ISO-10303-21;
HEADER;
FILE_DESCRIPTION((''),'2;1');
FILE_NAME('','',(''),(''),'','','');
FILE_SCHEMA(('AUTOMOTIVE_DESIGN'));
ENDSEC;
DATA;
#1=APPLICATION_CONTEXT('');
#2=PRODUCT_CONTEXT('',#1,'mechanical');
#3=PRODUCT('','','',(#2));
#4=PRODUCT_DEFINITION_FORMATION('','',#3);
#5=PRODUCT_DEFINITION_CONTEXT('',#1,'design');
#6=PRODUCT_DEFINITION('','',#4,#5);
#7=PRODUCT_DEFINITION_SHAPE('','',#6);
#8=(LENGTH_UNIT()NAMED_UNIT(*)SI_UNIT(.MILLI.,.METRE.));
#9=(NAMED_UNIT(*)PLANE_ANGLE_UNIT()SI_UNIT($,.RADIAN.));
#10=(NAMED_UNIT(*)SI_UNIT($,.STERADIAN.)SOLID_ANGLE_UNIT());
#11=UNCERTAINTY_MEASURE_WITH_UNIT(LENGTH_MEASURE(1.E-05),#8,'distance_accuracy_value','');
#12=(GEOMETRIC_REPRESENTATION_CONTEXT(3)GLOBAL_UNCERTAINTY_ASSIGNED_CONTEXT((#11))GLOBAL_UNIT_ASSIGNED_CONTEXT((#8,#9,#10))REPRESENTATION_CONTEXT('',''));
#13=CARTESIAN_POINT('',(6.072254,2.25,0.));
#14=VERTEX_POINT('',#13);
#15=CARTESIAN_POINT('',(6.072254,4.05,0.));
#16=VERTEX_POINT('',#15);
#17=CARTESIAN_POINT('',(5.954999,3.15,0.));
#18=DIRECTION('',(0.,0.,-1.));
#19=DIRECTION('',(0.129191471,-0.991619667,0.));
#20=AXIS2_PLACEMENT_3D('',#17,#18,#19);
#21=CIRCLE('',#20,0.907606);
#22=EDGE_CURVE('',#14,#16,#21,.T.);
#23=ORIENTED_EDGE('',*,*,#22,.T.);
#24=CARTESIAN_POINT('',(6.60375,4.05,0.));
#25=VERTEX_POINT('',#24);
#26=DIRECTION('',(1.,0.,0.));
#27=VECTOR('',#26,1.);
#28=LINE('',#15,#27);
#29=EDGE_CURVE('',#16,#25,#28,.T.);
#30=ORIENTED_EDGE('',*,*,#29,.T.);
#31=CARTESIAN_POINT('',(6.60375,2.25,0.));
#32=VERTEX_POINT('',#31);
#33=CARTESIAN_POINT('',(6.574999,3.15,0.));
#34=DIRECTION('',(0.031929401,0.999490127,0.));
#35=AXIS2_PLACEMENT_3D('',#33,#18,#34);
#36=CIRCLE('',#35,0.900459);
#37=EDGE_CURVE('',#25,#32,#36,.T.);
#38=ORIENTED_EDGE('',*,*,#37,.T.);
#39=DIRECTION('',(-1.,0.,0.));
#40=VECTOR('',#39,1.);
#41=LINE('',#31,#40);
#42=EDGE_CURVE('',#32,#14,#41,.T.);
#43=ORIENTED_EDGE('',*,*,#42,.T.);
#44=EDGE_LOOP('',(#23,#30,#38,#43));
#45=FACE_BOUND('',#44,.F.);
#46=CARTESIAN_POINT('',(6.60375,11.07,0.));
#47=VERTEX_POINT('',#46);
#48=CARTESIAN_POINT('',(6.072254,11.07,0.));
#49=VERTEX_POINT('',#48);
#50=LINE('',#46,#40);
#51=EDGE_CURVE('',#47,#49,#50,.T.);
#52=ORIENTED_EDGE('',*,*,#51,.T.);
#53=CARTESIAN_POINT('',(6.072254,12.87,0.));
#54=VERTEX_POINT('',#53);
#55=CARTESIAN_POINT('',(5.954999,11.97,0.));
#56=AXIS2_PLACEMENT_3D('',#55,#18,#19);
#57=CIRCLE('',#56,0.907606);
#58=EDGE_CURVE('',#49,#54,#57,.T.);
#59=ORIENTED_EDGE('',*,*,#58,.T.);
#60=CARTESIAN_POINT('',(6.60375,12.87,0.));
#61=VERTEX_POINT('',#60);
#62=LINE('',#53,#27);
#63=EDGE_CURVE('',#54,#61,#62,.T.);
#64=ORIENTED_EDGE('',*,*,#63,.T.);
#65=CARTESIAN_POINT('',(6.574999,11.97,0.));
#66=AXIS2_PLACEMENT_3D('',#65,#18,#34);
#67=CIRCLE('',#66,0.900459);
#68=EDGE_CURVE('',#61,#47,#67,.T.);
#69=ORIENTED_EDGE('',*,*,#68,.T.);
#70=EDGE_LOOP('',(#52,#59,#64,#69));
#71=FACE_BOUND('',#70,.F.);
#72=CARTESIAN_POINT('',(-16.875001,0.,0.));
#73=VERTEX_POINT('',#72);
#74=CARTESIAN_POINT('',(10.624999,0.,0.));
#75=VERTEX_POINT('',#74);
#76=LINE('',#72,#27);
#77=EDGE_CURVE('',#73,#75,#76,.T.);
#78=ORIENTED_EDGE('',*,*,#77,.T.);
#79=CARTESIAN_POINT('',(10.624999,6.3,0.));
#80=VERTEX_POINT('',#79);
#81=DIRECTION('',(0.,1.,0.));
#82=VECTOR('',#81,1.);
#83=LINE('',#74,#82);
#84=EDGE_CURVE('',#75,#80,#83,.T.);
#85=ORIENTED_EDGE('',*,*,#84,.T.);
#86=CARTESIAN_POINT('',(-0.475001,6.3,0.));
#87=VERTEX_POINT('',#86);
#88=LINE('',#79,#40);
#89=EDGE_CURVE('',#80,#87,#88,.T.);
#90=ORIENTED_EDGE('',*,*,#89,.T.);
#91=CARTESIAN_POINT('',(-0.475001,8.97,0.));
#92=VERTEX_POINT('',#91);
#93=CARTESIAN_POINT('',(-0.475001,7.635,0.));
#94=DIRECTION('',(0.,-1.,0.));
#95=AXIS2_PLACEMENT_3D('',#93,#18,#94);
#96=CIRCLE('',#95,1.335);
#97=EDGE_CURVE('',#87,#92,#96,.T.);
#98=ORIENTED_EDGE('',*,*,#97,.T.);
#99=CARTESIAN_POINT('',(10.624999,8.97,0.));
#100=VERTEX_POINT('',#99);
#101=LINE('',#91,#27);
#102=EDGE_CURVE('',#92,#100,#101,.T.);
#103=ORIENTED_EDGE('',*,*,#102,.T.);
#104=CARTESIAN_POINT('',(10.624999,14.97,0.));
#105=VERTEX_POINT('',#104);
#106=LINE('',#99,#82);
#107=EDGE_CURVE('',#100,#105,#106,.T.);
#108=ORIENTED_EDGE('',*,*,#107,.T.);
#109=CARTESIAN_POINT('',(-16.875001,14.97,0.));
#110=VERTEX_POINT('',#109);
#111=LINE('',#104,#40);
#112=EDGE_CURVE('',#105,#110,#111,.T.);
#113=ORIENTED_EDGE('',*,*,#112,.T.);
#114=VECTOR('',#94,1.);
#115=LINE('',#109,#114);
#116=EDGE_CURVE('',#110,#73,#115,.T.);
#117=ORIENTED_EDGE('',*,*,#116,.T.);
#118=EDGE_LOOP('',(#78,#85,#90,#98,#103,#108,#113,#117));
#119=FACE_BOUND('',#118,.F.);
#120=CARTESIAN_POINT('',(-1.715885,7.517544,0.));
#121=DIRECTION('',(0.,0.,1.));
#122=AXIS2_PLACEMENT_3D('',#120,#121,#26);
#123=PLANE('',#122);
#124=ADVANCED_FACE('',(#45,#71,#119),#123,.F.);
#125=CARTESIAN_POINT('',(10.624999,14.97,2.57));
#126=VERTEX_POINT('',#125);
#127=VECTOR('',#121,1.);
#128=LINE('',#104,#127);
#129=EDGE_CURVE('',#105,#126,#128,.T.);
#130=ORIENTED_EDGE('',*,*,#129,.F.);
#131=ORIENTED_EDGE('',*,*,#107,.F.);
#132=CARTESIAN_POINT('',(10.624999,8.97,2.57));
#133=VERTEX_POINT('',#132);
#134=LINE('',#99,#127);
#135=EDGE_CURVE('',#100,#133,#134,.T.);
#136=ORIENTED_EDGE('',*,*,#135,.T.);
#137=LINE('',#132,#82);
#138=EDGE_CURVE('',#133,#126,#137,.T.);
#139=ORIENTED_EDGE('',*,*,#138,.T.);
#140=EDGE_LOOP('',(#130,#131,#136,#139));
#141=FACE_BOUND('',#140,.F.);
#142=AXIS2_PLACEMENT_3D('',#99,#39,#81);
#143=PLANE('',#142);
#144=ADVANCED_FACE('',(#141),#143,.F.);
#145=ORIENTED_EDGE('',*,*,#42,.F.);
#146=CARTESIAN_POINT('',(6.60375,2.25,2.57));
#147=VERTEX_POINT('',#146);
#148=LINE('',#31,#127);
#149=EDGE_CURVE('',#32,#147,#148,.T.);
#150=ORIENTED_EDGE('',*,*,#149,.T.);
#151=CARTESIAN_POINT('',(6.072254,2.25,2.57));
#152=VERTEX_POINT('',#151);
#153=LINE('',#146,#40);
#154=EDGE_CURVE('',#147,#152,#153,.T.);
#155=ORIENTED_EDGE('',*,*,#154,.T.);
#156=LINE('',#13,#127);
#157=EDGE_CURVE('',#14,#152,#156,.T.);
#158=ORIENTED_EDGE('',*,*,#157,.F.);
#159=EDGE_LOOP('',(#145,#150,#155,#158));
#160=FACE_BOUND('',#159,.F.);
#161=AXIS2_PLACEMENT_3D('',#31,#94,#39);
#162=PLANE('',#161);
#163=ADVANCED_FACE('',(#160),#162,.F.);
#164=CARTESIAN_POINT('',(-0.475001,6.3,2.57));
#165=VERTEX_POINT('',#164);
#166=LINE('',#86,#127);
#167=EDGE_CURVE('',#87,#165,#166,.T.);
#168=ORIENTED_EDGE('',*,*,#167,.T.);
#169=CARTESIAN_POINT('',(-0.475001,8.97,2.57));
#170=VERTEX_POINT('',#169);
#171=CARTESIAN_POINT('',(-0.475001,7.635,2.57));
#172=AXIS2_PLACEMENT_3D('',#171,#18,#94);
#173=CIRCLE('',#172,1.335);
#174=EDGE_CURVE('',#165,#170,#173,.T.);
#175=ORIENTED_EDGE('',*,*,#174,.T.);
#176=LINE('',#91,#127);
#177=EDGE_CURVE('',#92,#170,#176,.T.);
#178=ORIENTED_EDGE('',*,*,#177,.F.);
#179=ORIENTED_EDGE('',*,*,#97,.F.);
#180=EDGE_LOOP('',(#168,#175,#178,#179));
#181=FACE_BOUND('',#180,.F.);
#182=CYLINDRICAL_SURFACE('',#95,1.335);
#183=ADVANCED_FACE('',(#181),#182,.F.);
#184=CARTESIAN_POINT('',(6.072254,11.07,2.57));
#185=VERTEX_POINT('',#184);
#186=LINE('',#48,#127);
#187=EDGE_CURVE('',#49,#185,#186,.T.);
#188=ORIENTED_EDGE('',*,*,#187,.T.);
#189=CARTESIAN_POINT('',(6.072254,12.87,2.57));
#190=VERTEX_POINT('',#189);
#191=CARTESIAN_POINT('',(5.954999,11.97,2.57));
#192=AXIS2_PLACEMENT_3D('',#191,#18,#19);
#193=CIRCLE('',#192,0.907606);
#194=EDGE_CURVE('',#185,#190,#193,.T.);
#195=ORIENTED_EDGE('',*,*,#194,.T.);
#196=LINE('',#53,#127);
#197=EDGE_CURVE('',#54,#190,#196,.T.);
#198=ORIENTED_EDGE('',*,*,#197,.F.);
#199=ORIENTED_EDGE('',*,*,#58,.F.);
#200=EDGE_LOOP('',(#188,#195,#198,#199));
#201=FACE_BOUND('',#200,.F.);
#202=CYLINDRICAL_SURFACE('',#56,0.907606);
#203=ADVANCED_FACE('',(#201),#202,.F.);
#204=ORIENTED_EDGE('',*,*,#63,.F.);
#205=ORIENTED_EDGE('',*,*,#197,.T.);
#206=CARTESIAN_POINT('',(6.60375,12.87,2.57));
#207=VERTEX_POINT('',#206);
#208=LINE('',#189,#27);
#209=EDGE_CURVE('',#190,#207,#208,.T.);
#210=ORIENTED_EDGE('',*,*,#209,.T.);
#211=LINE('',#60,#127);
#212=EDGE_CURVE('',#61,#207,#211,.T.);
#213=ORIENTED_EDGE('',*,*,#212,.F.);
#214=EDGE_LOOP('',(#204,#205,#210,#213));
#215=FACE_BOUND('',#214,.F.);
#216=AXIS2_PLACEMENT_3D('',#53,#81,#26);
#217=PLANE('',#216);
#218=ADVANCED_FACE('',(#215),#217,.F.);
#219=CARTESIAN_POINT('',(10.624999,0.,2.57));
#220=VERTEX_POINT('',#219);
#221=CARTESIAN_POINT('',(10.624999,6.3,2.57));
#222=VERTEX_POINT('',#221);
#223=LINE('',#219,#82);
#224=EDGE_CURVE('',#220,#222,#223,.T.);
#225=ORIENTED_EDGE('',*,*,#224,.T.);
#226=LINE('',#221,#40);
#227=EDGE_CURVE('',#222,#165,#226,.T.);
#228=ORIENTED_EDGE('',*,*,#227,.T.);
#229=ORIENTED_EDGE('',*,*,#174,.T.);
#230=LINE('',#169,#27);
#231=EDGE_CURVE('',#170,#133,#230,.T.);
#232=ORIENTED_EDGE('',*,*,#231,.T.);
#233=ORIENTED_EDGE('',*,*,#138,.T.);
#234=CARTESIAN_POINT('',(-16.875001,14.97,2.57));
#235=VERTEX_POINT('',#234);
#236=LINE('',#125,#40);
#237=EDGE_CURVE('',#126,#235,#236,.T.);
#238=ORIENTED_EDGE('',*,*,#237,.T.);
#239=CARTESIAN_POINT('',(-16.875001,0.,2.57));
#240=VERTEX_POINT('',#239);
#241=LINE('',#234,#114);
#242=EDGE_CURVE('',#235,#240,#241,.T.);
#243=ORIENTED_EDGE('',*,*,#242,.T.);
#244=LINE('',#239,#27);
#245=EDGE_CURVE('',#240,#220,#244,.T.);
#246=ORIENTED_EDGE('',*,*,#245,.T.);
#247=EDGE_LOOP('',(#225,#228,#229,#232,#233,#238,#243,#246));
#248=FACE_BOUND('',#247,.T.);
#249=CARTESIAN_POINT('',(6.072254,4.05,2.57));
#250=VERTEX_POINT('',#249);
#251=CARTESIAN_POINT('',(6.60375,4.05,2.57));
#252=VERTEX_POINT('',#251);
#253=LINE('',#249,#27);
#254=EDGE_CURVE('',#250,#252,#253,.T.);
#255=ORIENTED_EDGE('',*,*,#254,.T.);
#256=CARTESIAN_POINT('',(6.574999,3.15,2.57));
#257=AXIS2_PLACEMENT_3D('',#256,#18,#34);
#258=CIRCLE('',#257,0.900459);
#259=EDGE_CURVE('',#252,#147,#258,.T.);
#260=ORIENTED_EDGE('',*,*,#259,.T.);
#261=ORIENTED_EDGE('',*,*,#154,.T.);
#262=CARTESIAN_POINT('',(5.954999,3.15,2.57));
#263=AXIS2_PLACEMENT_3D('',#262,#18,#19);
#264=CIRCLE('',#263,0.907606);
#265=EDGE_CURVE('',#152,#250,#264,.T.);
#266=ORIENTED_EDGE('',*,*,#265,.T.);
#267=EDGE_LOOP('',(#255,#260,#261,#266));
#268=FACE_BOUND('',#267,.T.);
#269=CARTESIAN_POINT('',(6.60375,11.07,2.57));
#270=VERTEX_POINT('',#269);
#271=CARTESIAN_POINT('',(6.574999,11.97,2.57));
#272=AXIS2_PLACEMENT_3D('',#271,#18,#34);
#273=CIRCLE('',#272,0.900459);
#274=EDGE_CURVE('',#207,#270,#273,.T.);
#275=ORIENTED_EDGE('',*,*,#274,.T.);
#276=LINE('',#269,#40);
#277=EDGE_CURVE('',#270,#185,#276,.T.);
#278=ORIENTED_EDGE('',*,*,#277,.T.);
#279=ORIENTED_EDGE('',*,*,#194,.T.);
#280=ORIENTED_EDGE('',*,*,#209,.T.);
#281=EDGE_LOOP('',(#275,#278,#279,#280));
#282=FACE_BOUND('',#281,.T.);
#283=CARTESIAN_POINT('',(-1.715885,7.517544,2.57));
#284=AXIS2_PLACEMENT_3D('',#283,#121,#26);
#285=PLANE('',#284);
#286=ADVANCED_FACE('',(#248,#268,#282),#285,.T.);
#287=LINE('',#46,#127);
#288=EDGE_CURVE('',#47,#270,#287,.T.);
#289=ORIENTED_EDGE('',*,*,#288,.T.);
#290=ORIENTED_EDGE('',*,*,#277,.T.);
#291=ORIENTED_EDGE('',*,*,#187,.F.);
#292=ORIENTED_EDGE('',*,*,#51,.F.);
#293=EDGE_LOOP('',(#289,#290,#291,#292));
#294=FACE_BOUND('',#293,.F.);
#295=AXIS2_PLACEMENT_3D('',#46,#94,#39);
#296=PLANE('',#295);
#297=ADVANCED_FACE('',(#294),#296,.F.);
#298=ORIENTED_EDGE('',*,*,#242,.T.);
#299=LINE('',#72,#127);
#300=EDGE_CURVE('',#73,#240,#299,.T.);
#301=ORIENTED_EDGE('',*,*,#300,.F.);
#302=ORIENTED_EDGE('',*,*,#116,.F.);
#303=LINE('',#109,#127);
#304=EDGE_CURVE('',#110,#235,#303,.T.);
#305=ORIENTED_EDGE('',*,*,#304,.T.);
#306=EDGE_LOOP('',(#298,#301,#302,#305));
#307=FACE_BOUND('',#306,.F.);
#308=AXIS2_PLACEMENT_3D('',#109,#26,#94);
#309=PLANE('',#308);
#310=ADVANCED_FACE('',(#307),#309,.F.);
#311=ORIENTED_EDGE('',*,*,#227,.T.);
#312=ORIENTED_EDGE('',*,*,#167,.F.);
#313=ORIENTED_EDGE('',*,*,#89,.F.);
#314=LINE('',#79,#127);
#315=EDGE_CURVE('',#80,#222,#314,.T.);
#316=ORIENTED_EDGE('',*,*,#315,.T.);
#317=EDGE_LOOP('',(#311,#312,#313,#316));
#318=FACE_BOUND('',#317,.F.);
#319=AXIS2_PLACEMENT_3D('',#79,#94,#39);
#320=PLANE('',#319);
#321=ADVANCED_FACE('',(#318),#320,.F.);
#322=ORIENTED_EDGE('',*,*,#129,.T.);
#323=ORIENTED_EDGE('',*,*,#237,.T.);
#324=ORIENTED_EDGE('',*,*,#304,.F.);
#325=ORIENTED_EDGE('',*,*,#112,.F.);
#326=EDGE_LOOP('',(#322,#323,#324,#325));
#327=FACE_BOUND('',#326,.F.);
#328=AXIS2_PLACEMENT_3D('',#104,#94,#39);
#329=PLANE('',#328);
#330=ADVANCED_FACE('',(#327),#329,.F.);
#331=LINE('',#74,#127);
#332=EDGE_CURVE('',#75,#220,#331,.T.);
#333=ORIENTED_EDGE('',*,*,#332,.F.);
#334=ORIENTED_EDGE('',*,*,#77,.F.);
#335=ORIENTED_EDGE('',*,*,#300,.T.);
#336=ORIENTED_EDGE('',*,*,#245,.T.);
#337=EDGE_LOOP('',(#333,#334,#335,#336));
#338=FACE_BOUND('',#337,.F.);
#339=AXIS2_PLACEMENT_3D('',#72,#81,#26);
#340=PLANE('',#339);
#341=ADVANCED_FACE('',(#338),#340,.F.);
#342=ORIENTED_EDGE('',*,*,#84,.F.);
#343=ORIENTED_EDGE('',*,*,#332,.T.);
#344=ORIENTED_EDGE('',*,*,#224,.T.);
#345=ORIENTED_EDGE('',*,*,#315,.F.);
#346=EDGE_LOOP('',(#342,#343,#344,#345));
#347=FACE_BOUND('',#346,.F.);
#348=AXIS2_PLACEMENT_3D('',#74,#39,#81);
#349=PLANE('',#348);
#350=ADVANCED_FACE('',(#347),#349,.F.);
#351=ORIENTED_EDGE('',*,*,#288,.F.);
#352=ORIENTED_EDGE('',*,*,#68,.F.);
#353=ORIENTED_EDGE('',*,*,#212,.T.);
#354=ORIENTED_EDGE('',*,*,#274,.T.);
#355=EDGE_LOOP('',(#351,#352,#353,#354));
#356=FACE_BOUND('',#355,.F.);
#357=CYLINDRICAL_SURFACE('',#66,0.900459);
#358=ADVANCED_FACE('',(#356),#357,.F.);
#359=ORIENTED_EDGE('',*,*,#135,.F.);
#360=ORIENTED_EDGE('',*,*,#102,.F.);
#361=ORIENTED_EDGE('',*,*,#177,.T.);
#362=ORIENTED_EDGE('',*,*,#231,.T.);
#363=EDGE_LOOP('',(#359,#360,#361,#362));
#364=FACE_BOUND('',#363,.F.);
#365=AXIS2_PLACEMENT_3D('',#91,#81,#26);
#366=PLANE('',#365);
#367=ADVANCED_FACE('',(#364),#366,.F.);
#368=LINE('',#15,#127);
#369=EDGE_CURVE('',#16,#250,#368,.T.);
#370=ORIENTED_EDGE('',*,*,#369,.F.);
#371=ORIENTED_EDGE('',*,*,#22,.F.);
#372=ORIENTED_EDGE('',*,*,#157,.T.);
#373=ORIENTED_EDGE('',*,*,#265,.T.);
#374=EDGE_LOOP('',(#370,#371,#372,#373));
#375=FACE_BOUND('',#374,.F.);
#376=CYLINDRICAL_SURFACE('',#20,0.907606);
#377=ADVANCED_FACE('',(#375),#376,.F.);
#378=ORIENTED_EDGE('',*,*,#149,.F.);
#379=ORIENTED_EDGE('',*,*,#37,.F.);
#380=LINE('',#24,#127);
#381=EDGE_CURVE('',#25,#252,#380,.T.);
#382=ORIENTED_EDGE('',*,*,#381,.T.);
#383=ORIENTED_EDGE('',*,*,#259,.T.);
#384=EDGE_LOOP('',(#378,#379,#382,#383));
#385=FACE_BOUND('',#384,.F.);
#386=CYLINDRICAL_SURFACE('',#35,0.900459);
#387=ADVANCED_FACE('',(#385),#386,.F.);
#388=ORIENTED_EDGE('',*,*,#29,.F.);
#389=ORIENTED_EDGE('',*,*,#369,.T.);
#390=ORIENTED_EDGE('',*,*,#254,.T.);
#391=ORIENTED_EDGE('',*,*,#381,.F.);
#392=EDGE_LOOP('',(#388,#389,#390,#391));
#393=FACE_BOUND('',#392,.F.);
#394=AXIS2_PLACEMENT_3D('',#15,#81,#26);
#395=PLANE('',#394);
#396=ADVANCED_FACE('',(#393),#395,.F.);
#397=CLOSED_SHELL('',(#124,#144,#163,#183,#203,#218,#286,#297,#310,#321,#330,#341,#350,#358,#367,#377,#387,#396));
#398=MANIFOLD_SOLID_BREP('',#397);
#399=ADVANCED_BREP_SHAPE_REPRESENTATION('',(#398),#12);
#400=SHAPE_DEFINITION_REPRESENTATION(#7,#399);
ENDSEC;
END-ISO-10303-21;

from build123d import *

# Parameters (mm, degrees)
F1_DEPTH = 2.57


with BuildPart() as f1:
    # F0 (on Top) → F1 (new body)
    with BuildSketch(Plane.XY):
        with BuildLine():
            Line((10.624999, 14.97), (-16.875001, 14.97))
            Line((-16.875001, 14.97), (-16.875001, 0))
            Line((-16.875001, 0), (10.624999, 0))
            Line((10.624999, 0), (10.624999, 6.3))
            Line((10.624999, 6.3), (-0.475001, 6.3))
            ThreePointArc((-0.475001, 6.3), (-1.810001, 7.635), (-0.475001, 8.97))
            Line((-0.475001, 8.97), (10.624999, 8.97))
            Line((10.624999, 8.97), (10.624999, 14.97))
        make_face()
        with BuildLine():
            ThreePointArc((6.072254, 2.25), (5.047393, 3.15), (6.072254, 4.05))
            Line((6.072254, 4.05), (6.60375, 4.05))
            ThreePointArc((6.60375, 4.05), (7.475458, 3.15), (6.60375, 2.25))
            Line((6.60375, 2.25), (6.072254, 2.25))
        make_face(mode=Mode.SUBTRACT)
        with BuildLine():
            Line((6.60375, 11.07), (6.072254, 11.07))
            ThreePointArc((6.072254, 11.07), (5.047393, 11.97), (6.072254, 12.87))
            Line((6.072254, 12.87), (6.60375, 12.87))
            ThreePointArc((6.60375, 12.87), (7.475458, 11.97), (6.60375, 11.07))
        make_face(mode=Mode.SUBTRACT)
    extrude(amount=F1_DEPTH)


solid = f1.part
